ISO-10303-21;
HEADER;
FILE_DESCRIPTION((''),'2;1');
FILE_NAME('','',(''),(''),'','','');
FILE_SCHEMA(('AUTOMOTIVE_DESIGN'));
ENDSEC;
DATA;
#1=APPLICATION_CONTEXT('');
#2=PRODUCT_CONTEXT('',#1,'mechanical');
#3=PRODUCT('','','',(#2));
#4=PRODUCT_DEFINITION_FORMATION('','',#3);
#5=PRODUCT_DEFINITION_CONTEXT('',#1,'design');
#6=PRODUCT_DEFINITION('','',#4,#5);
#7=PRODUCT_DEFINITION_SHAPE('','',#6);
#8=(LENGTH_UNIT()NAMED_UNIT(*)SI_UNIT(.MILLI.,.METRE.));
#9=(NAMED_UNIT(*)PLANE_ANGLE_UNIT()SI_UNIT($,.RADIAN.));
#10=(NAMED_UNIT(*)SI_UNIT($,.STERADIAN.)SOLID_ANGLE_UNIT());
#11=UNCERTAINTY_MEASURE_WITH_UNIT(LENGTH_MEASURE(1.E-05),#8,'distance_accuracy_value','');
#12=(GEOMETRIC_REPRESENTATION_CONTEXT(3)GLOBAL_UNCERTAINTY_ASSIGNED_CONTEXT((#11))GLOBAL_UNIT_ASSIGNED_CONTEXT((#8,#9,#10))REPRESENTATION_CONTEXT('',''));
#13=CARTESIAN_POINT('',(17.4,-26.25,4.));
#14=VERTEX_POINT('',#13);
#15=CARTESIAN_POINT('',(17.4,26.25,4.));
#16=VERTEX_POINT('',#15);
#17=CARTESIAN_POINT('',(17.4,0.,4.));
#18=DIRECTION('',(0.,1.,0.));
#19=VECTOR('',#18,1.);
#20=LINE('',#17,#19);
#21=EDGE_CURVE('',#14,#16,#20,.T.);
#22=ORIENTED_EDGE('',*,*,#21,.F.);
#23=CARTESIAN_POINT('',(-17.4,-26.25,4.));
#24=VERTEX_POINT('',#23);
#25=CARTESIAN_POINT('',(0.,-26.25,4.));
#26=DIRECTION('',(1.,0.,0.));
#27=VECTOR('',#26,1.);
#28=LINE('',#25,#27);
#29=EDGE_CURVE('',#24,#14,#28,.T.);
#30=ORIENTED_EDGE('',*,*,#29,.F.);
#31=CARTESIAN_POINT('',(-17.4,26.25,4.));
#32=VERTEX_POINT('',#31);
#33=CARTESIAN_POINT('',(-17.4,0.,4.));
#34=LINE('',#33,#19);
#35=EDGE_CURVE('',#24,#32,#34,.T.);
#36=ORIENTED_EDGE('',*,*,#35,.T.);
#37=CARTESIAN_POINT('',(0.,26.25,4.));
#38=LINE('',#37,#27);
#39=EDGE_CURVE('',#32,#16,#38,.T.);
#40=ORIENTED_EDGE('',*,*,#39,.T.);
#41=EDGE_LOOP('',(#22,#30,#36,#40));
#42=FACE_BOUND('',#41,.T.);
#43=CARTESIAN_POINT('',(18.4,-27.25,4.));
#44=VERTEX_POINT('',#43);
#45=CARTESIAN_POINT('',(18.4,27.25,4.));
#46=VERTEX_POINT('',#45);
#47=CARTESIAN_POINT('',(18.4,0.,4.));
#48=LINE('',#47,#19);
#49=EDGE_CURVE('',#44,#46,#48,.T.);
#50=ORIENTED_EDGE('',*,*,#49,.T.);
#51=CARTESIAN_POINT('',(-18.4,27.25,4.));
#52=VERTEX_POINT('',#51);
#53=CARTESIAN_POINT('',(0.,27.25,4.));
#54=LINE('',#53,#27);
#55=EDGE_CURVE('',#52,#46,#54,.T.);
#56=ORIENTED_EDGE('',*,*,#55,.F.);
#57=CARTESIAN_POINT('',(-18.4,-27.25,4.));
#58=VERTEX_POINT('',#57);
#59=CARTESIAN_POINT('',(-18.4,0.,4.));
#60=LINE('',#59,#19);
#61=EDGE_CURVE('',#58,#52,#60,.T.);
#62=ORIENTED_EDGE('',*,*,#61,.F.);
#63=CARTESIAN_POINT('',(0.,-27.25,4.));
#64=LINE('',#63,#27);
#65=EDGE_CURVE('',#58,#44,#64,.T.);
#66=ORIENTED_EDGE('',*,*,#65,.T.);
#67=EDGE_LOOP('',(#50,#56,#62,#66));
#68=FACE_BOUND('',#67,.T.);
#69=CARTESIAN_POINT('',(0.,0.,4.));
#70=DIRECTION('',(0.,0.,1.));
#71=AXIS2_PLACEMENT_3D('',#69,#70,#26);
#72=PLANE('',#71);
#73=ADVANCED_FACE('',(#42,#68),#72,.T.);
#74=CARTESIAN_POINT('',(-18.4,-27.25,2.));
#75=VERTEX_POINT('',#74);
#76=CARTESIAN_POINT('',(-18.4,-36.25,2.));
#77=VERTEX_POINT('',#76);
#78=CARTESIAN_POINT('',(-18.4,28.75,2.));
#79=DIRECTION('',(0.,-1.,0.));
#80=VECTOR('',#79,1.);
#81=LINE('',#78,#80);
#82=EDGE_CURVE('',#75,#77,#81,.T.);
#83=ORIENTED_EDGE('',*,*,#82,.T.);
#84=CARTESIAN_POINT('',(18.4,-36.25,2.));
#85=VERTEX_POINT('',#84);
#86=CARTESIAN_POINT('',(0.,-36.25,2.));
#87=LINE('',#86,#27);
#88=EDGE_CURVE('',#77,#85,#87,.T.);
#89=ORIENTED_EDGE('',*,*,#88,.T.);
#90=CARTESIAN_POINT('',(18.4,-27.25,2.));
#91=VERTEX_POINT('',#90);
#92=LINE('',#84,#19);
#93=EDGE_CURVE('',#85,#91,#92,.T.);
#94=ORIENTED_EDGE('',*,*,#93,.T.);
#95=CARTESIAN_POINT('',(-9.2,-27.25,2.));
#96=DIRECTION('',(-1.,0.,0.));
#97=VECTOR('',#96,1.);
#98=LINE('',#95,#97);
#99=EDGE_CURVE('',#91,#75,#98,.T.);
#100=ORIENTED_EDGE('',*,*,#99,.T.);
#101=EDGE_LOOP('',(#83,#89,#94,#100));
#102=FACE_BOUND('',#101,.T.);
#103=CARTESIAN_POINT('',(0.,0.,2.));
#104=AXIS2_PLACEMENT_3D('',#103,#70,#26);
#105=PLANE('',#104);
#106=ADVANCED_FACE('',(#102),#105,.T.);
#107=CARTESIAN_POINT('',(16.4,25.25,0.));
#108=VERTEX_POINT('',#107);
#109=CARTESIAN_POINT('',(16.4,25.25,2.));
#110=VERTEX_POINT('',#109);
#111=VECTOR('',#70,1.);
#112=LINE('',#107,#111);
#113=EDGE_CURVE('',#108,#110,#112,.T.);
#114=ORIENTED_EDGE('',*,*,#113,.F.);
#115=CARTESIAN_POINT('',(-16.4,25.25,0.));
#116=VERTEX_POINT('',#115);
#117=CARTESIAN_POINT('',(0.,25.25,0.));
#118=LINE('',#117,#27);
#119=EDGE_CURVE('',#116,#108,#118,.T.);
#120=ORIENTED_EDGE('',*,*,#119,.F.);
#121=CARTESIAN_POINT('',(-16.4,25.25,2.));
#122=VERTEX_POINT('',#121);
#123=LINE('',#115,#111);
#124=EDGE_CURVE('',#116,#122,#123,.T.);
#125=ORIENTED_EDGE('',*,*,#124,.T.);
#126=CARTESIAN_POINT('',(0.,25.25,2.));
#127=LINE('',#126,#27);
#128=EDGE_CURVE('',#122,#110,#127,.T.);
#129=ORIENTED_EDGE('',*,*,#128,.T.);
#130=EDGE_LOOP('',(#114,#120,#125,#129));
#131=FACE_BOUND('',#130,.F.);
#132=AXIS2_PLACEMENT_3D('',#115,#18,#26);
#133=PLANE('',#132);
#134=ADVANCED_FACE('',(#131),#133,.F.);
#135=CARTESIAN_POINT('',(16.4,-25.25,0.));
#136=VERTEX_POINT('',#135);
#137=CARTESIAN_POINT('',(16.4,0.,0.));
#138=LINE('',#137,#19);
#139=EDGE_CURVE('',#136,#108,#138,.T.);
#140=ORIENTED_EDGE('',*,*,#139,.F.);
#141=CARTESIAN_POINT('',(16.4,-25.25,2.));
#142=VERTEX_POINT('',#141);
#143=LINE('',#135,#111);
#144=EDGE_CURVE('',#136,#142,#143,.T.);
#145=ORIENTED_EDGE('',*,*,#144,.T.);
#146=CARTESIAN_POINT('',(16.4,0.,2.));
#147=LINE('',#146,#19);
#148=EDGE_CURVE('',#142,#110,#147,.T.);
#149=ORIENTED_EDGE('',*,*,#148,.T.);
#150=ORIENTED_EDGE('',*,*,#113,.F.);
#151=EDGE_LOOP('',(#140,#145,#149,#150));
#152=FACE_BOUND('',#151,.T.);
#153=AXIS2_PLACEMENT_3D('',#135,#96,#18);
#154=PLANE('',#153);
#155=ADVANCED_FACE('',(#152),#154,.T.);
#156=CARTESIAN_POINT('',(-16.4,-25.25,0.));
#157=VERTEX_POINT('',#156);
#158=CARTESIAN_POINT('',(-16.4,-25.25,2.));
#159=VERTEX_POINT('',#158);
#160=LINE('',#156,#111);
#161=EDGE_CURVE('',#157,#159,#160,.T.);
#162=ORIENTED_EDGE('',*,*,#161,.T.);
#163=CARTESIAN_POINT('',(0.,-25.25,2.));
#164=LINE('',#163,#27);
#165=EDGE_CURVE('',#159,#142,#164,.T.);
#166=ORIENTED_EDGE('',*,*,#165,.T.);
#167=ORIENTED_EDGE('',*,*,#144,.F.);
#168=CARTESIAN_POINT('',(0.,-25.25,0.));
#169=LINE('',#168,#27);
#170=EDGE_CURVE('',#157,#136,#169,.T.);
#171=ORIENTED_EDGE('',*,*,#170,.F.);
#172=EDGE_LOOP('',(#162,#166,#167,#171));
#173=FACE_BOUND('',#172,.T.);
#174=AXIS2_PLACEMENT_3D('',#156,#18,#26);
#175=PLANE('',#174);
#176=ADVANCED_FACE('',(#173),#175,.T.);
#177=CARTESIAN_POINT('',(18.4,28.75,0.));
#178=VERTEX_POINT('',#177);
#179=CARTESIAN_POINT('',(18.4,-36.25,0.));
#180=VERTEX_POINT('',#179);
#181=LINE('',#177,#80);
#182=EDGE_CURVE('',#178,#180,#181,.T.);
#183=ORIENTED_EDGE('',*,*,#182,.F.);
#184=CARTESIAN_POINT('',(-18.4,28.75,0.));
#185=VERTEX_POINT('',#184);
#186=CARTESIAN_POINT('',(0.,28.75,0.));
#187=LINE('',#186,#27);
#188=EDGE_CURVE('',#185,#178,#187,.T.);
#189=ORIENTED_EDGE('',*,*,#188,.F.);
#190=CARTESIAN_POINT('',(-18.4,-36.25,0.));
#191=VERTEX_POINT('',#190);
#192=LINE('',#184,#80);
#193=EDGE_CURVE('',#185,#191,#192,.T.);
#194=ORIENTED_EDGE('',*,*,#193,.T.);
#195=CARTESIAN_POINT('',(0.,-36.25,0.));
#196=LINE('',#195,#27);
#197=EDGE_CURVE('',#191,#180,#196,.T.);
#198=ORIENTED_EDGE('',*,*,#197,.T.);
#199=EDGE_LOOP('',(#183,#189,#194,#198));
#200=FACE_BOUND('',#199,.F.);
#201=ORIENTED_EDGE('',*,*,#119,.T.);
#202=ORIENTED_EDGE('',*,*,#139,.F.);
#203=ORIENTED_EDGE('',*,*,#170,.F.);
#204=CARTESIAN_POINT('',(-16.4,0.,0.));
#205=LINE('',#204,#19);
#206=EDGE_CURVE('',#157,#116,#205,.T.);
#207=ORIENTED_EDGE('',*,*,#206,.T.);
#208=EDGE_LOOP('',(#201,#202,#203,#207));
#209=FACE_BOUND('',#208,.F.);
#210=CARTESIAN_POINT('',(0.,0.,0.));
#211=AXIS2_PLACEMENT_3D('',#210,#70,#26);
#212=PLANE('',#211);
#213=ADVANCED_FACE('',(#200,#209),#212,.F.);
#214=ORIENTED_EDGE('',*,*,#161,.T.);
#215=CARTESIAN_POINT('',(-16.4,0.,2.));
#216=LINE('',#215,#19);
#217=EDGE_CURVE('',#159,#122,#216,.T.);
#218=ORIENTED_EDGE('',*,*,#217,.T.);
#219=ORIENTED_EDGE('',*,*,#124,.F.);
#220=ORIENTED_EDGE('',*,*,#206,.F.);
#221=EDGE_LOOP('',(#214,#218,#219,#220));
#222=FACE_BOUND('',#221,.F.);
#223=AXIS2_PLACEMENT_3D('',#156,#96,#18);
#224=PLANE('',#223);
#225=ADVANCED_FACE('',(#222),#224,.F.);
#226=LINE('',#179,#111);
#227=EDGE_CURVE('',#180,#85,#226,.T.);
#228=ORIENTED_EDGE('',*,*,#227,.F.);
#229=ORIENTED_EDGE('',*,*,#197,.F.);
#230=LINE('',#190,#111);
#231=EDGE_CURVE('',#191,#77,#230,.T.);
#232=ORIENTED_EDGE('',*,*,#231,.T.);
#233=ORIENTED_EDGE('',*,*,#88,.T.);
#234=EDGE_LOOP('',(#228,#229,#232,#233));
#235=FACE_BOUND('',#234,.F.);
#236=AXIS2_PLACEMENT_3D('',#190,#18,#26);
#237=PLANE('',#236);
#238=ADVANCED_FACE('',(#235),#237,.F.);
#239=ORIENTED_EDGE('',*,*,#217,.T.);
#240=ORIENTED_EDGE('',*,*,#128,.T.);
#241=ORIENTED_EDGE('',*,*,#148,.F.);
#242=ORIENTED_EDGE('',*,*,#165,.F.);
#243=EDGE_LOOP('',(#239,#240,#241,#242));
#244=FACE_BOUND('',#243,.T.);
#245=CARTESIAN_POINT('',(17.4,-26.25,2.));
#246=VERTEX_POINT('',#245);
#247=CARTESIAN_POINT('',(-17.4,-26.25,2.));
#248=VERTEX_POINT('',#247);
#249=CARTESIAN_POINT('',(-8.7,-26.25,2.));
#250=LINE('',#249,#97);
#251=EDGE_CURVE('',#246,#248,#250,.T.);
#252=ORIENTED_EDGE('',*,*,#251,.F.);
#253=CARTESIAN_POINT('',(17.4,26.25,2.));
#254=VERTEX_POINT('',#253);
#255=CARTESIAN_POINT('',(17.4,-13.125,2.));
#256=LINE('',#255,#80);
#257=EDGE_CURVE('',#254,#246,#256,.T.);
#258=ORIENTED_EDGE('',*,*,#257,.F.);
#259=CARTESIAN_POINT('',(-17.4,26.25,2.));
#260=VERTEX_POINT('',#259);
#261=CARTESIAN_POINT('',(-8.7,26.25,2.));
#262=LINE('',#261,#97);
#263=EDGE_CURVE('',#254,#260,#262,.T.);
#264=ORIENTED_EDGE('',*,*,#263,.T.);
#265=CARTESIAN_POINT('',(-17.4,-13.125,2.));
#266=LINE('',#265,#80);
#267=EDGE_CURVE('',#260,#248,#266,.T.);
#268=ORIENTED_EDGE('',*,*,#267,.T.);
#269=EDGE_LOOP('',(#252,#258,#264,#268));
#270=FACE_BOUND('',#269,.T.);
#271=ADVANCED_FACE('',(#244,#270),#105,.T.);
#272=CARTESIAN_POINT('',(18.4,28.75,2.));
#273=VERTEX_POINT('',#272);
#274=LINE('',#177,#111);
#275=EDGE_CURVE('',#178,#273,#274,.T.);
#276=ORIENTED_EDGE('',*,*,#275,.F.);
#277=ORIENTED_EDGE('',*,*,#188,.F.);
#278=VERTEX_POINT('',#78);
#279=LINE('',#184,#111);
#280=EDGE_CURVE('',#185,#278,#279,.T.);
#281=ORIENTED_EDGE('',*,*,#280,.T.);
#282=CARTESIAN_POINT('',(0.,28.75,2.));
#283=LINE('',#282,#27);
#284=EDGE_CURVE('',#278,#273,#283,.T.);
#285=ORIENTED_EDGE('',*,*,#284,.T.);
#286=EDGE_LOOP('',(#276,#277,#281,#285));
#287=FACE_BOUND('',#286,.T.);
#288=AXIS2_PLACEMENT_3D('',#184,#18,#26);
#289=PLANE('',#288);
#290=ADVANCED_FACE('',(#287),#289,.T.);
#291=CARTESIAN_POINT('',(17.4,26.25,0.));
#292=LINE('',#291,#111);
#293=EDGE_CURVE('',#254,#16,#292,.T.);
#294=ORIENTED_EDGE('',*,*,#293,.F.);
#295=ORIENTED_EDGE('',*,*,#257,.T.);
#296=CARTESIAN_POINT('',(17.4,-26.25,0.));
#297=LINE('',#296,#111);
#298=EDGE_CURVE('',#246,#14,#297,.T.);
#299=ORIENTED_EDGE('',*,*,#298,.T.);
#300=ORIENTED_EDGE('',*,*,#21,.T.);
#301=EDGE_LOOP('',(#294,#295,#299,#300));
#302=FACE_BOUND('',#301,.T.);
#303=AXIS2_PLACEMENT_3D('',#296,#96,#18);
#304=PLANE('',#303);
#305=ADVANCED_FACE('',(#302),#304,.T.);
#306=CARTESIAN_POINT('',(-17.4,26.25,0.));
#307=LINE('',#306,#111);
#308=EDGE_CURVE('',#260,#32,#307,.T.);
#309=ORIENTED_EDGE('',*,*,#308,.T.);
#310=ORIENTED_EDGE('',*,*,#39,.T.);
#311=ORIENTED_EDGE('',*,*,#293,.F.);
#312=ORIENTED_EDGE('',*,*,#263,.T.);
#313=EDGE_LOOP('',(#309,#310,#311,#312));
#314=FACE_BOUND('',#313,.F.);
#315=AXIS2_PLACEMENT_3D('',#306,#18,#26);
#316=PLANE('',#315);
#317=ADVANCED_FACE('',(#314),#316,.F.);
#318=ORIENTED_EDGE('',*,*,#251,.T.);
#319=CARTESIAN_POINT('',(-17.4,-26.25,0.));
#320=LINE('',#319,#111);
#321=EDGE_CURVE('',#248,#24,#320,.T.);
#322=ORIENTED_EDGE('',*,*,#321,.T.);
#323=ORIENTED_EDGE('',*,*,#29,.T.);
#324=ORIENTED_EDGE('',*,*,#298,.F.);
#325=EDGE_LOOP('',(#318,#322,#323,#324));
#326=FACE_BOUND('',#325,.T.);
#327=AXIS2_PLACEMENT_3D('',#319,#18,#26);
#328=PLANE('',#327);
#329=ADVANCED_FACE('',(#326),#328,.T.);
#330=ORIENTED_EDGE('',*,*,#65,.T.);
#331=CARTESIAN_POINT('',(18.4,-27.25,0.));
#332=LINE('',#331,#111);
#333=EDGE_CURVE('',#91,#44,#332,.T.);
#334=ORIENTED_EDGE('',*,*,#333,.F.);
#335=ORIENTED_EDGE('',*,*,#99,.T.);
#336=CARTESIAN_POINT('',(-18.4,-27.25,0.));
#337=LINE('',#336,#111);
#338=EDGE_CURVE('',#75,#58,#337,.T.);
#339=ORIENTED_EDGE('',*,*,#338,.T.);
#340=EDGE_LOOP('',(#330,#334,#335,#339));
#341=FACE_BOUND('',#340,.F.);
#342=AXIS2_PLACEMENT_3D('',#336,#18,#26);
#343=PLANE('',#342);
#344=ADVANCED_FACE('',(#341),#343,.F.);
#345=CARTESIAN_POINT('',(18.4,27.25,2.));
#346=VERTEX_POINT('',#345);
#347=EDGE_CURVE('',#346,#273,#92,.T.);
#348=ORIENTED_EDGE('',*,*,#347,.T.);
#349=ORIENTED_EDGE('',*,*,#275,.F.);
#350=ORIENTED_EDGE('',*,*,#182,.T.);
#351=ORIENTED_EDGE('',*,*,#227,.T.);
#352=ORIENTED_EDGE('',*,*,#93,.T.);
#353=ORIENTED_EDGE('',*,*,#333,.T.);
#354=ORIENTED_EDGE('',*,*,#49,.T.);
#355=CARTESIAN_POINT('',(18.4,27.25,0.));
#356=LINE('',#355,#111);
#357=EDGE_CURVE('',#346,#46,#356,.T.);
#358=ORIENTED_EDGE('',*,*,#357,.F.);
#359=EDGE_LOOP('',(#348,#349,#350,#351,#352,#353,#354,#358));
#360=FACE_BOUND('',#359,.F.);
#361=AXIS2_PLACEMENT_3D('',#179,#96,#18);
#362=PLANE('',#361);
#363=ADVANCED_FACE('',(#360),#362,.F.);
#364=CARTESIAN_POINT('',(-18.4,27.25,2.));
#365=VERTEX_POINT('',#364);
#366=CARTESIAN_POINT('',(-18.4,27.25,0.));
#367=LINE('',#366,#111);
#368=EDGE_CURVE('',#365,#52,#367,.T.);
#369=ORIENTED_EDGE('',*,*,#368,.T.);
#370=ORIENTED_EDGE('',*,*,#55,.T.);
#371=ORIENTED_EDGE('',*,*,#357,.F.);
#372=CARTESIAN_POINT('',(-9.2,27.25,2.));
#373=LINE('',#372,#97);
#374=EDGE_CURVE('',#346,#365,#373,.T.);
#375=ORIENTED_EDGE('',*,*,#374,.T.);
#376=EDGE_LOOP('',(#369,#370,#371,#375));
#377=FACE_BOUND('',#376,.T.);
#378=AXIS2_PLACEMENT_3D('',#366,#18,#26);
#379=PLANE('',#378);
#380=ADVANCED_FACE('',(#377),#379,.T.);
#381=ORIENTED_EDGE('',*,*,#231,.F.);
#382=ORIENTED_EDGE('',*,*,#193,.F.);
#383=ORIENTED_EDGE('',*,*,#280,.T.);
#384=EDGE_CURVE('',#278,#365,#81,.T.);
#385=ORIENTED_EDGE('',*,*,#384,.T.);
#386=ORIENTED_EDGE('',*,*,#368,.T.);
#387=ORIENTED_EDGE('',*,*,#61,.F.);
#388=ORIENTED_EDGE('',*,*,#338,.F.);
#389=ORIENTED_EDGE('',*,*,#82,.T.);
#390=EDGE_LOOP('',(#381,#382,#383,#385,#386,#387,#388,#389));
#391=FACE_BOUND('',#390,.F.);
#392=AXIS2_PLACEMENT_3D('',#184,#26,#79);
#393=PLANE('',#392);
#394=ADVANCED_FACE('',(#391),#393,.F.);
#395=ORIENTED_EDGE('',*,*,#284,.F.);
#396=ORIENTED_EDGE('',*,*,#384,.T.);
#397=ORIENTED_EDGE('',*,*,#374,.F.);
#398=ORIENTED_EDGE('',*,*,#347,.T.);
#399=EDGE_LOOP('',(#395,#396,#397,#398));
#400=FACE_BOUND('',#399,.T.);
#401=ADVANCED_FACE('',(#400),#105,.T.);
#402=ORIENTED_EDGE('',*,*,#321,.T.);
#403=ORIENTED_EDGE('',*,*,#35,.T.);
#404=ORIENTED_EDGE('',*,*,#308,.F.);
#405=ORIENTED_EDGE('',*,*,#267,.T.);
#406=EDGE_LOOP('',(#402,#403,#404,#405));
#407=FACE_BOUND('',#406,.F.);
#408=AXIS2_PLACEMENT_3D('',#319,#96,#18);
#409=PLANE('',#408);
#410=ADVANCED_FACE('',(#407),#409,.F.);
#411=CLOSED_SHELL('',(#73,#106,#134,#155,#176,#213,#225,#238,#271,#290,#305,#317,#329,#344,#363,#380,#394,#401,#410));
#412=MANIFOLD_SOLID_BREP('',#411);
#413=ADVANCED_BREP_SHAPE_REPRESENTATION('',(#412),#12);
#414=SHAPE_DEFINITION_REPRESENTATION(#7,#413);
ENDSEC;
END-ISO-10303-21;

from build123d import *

# Parameters (mm, degrees)
F0_W     = 36.8
F0_H     = 54.5
F0_W_2   = 34.8
F0_H_2   = 52.5
F0_H_3   = 1.5
F0_H_4   = 9
F0_W_3   = 32.8
F0_H_5   = 50.5
F1_DEPTH = 2
F2_DEPTH = 4


with BuildPart() as f1:
    # F0 (on Top) → F1 (new body)
    with BuildSketch(Plane.XY):
        Rectangle(F0_W, F0_H)
        Rectangle(F0_W_2, F0_H_2, mode=Mode.SUBTRACT)
        with Locations((0, 28)):
            Rectangle(F0_W, F0_H_3)
        with Locations((0, -31.75)):
            Rectangle(F0_W, F0_H_4)
        Rectangle(F0_W_2, F0_H_2)
        Rectangle(F0_W_3, F0_H_5, mode=Mode.SUBTRACT)
    extrude(amount=F1_DEPTH)

    # F0 (on Top) → F2 (join)
    with BuildSketch(Plane.XY):
        Rectangle(F0_W, F0_H)
        Rectangle(F0_W_2, F0_H_2, mode=Mode.SUBTRACT)
    extrude(amount=F2_DEPTH)


solid = f1.part
